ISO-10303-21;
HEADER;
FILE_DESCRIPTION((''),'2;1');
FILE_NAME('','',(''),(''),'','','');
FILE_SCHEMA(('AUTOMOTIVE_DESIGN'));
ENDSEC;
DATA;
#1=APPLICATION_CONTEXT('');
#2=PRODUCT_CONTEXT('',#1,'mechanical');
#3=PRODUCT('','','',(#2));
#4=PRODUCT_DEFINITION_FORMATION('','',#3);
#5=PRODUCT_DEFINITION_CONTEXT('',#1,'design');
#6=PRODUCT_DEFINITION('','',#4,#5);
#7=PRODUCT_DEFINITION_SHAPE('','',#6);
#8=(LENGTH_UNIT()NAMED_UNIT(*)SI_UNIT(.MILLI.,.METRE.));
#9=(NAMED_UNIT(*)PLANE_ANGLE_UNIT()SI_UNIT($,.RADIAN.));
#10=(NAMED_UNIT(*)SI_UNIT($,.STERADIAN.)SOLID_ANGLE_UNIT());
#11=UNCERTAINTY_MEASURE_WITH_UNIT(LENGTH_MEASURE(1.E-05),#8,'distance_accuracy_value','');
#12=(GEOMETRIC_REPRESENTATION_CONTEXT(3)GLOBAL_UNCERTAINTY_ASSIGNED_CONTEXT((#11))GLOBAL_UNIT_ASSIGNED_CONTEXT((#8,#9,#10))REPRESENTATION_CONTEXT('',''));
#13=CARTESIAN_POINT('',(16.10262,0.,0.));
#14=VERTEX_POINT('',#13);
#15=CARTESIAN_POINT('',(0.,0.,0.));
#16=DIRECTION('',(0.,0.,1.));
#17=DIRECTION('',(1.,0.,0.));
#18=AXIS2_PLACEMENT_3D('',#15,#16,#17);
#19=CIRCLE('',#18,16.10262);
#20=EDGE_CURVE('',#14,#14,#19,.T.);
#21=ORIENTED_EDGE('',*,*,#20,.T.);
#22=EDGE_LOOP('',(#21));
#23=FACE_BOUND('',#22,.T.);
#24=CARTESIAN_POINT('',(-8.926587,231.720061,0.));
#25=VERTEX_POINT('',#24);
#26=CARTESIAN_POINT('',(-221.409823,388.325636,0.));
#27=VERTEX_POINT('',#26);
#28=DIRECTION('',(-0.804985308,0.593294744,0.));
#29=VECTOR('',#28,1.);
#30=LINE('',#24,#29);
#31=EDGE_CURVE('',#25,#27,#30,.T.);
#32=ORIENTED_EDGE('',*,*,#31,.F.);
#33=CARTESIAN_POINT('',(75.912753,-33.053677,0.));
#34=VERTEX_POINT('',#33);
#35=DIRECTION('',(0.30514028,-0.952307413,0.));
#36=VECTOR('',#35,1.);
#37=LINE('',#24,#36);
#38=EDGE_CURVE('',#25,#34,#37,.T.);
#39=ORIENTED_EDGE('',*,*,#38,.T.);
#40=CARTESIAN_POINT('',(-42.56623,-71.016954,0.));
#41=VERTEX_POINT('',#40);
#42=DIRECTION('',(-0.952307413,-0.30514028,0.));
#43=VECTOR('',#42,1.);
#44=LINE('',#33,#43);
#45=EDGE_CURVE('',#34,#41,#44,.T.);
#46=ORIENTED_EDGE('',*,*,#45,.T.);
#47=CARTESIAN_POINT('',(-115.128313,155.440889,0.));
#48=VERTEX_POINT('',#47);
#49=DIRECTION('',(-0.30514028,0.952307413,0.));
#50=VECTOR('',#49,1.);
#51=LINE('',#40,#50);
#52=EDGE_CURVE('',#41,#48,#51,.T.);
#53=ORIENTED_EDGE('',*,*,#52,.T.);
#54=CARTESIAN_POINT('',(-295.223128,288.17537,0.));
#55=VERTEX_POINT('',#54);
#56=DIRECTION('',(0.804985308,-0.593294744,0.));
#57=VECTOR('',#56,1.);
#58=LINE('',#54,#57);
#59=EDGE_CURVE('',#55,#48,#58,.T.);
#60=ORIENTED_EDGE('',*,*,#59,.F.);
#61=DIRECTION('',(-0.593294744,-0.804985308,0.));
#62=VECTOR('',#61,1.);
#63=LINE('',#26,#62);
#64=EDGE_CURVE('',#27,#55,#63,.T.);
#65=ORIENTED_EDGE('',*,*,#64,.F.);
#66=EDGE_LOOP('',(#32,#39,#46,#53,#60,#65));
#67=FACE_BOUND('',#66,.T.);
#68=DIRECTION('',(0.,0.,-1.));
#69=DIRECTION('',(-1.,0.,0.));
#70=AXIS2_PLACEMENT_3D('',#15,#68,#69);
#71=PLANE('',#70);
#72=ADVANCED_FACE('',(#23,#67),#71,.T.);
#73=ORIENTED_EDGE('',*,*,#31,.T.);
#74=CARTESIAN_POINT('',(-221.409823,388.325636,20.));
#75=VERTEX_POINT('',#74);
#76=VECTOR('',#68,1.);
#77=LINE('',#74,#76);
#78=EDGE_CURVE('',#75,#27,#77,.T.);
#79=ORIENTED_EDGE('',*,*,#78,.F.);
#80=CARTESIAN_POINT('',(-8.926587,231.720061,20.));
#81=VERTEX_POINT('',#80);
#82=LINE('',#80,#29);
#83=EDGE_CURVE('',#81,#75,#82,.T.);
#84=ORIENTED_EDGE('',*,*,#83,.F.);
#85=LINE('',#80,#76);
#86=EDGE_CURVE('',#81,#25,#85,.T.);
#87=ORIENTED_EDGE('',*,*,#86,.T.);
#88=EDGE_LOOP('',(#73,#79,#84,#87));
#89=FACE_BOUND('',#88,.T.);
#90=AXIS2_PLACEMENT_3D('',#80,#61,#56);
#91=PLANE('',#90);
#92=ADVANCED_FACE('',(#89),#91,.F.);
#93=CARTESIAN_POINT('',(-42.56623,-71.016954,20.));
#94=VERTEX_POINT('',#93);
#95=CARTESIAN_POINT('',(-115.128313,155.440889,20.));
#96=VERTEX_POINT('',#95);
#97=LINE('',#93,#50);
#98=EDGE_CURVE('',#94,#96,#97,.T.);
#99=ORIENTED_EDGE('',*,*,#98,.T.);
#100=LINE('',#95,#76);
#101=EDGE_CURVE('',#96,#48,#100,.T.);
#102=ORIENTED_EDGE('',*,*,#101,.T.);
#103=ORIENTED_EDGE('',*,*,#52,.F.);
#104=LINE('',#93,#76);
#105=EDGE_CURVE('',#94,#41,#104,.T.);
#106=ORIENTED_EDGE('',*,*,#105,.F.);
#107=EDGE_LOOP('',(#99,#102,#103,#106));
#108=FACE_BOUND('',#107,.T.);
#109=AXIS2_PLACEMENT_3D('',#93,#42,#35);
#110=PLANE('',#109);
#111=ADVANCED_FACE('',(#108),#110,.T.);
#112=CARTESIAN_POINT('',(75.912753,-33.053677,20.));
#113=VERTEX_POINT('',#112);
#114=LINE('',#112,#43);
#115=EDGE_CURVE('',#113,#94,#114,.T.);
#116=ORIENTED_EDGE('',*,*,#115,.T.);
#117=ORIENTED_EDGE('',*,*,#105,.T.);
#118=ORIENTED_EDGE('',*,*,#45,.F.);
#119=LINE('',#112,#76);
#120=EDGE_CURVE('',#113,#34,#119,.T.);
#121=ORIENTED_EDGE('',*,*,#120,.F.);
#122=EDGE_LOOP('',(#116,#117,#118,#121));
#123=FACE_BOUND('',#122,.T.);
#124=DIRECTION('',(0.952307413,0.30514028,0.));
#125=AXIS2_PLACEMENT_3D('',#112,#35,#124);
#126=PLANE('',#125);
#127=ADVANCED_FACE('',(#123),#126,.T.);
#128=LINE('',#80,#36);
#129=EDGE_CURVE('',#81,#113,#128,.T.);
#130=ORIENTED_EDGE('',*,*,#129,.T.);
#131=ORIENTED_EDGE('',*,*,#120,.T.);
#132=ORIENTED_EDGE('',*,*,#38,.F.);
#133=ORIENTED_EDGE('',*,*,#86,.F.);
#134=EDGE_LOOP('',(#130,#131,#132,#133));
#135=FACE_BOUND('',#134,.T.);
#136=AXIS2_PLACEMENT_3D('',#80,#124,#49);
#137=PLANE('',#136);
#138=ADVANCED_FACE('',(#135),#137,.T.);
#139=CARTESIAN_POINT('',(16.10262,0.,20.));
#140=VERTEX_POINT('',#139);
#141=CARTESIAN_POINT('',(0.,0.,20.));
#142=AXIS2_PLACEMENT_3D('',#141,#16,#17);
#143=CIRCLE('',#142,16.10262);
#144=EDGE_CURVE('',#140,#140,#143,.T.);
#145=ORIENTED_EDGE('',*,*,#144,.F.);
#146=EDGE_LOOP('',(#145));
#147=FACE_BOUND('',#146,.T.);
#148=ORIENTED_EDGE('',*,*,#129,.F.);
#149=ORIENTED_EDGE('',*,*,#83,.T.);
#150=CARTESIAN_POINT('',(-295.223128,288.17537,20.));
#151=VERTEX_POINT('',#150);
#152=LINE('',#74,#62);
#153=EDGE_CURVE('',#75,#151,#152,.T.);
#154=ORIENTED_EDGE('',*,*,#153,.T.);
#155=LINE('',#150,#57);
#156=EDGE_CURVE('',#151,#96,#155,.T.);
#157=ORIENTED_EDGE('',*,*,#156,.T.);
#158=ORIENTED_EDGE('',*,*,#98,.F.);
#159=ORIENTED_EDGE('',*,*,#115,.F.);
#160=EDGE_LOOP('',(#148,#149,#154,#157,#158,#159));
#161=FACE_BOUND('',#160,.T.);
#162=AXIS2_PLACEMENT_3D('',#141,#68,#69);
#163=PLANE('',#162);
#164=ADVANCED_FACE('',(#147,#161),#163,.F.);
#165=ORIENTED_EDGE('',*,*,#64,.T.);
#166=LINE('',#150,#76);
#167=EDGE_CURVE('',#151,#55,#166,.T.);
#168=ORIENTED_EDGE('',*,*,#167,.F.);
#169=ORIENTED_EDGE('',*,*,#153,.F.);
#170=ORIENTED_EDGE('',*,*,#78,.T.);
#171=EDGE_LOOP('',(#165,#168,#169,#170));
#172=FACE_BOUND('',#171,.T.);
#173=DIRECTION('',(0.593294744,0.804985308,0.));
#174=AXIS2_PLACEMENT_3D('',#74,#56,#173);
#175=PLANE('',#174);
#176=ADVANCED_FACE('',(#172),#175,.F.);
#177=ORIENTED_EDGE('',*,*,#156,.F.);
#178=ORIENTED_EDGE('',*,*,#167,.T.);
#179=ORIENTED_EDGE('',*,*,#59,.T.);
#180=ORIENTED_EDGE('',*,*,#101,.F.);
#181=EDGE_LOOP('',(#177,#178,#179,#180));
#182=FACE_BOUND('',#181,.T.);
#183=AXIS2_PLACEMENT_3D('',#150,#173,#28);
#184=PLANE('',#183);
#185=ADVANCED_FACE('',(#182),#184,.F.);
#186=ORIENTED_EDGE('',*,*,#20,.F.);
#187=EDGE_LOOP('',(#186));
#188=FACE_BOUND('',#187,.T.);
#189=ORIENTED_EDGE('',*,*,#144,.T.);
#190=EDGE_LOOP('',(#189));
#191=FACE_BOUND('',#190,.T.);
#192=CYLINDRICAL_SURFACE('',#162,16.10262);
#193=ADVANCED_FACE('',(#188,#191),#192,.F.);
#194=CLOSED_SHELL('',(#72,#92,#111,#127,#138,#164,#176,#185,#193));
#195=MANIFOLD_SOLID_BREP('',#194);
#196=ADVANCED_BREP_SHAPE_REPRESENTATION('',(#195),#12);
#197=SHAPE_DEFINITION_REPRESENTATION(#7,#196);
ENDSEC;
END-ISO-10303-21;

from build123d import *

# Parameters (mm, degrees)
SKETCH1_R           = 16.102619951
BOSS_EXTRUDE1_DEPTH = 20


with BuildPart() as part:
    # Sketch1 → Boss-Extrude1 (new body)
    with BuildSketch(Plane.XY):
        Polygon((-8.926586958, 231.72006077), (75.912753088, -33.053677171), (-42.566229627, -71.016953971), (-115.128312507, 155.440888661), (-295.223128237, 288.175370388), (-221.409823019, 388.325636006), align=None)
        Circle(SKETCH1_R, mode=Mode.SUBTRACT)
    extrude(amount=BOSS_EXTRUDE1_DEPTH)


solid = part.part
